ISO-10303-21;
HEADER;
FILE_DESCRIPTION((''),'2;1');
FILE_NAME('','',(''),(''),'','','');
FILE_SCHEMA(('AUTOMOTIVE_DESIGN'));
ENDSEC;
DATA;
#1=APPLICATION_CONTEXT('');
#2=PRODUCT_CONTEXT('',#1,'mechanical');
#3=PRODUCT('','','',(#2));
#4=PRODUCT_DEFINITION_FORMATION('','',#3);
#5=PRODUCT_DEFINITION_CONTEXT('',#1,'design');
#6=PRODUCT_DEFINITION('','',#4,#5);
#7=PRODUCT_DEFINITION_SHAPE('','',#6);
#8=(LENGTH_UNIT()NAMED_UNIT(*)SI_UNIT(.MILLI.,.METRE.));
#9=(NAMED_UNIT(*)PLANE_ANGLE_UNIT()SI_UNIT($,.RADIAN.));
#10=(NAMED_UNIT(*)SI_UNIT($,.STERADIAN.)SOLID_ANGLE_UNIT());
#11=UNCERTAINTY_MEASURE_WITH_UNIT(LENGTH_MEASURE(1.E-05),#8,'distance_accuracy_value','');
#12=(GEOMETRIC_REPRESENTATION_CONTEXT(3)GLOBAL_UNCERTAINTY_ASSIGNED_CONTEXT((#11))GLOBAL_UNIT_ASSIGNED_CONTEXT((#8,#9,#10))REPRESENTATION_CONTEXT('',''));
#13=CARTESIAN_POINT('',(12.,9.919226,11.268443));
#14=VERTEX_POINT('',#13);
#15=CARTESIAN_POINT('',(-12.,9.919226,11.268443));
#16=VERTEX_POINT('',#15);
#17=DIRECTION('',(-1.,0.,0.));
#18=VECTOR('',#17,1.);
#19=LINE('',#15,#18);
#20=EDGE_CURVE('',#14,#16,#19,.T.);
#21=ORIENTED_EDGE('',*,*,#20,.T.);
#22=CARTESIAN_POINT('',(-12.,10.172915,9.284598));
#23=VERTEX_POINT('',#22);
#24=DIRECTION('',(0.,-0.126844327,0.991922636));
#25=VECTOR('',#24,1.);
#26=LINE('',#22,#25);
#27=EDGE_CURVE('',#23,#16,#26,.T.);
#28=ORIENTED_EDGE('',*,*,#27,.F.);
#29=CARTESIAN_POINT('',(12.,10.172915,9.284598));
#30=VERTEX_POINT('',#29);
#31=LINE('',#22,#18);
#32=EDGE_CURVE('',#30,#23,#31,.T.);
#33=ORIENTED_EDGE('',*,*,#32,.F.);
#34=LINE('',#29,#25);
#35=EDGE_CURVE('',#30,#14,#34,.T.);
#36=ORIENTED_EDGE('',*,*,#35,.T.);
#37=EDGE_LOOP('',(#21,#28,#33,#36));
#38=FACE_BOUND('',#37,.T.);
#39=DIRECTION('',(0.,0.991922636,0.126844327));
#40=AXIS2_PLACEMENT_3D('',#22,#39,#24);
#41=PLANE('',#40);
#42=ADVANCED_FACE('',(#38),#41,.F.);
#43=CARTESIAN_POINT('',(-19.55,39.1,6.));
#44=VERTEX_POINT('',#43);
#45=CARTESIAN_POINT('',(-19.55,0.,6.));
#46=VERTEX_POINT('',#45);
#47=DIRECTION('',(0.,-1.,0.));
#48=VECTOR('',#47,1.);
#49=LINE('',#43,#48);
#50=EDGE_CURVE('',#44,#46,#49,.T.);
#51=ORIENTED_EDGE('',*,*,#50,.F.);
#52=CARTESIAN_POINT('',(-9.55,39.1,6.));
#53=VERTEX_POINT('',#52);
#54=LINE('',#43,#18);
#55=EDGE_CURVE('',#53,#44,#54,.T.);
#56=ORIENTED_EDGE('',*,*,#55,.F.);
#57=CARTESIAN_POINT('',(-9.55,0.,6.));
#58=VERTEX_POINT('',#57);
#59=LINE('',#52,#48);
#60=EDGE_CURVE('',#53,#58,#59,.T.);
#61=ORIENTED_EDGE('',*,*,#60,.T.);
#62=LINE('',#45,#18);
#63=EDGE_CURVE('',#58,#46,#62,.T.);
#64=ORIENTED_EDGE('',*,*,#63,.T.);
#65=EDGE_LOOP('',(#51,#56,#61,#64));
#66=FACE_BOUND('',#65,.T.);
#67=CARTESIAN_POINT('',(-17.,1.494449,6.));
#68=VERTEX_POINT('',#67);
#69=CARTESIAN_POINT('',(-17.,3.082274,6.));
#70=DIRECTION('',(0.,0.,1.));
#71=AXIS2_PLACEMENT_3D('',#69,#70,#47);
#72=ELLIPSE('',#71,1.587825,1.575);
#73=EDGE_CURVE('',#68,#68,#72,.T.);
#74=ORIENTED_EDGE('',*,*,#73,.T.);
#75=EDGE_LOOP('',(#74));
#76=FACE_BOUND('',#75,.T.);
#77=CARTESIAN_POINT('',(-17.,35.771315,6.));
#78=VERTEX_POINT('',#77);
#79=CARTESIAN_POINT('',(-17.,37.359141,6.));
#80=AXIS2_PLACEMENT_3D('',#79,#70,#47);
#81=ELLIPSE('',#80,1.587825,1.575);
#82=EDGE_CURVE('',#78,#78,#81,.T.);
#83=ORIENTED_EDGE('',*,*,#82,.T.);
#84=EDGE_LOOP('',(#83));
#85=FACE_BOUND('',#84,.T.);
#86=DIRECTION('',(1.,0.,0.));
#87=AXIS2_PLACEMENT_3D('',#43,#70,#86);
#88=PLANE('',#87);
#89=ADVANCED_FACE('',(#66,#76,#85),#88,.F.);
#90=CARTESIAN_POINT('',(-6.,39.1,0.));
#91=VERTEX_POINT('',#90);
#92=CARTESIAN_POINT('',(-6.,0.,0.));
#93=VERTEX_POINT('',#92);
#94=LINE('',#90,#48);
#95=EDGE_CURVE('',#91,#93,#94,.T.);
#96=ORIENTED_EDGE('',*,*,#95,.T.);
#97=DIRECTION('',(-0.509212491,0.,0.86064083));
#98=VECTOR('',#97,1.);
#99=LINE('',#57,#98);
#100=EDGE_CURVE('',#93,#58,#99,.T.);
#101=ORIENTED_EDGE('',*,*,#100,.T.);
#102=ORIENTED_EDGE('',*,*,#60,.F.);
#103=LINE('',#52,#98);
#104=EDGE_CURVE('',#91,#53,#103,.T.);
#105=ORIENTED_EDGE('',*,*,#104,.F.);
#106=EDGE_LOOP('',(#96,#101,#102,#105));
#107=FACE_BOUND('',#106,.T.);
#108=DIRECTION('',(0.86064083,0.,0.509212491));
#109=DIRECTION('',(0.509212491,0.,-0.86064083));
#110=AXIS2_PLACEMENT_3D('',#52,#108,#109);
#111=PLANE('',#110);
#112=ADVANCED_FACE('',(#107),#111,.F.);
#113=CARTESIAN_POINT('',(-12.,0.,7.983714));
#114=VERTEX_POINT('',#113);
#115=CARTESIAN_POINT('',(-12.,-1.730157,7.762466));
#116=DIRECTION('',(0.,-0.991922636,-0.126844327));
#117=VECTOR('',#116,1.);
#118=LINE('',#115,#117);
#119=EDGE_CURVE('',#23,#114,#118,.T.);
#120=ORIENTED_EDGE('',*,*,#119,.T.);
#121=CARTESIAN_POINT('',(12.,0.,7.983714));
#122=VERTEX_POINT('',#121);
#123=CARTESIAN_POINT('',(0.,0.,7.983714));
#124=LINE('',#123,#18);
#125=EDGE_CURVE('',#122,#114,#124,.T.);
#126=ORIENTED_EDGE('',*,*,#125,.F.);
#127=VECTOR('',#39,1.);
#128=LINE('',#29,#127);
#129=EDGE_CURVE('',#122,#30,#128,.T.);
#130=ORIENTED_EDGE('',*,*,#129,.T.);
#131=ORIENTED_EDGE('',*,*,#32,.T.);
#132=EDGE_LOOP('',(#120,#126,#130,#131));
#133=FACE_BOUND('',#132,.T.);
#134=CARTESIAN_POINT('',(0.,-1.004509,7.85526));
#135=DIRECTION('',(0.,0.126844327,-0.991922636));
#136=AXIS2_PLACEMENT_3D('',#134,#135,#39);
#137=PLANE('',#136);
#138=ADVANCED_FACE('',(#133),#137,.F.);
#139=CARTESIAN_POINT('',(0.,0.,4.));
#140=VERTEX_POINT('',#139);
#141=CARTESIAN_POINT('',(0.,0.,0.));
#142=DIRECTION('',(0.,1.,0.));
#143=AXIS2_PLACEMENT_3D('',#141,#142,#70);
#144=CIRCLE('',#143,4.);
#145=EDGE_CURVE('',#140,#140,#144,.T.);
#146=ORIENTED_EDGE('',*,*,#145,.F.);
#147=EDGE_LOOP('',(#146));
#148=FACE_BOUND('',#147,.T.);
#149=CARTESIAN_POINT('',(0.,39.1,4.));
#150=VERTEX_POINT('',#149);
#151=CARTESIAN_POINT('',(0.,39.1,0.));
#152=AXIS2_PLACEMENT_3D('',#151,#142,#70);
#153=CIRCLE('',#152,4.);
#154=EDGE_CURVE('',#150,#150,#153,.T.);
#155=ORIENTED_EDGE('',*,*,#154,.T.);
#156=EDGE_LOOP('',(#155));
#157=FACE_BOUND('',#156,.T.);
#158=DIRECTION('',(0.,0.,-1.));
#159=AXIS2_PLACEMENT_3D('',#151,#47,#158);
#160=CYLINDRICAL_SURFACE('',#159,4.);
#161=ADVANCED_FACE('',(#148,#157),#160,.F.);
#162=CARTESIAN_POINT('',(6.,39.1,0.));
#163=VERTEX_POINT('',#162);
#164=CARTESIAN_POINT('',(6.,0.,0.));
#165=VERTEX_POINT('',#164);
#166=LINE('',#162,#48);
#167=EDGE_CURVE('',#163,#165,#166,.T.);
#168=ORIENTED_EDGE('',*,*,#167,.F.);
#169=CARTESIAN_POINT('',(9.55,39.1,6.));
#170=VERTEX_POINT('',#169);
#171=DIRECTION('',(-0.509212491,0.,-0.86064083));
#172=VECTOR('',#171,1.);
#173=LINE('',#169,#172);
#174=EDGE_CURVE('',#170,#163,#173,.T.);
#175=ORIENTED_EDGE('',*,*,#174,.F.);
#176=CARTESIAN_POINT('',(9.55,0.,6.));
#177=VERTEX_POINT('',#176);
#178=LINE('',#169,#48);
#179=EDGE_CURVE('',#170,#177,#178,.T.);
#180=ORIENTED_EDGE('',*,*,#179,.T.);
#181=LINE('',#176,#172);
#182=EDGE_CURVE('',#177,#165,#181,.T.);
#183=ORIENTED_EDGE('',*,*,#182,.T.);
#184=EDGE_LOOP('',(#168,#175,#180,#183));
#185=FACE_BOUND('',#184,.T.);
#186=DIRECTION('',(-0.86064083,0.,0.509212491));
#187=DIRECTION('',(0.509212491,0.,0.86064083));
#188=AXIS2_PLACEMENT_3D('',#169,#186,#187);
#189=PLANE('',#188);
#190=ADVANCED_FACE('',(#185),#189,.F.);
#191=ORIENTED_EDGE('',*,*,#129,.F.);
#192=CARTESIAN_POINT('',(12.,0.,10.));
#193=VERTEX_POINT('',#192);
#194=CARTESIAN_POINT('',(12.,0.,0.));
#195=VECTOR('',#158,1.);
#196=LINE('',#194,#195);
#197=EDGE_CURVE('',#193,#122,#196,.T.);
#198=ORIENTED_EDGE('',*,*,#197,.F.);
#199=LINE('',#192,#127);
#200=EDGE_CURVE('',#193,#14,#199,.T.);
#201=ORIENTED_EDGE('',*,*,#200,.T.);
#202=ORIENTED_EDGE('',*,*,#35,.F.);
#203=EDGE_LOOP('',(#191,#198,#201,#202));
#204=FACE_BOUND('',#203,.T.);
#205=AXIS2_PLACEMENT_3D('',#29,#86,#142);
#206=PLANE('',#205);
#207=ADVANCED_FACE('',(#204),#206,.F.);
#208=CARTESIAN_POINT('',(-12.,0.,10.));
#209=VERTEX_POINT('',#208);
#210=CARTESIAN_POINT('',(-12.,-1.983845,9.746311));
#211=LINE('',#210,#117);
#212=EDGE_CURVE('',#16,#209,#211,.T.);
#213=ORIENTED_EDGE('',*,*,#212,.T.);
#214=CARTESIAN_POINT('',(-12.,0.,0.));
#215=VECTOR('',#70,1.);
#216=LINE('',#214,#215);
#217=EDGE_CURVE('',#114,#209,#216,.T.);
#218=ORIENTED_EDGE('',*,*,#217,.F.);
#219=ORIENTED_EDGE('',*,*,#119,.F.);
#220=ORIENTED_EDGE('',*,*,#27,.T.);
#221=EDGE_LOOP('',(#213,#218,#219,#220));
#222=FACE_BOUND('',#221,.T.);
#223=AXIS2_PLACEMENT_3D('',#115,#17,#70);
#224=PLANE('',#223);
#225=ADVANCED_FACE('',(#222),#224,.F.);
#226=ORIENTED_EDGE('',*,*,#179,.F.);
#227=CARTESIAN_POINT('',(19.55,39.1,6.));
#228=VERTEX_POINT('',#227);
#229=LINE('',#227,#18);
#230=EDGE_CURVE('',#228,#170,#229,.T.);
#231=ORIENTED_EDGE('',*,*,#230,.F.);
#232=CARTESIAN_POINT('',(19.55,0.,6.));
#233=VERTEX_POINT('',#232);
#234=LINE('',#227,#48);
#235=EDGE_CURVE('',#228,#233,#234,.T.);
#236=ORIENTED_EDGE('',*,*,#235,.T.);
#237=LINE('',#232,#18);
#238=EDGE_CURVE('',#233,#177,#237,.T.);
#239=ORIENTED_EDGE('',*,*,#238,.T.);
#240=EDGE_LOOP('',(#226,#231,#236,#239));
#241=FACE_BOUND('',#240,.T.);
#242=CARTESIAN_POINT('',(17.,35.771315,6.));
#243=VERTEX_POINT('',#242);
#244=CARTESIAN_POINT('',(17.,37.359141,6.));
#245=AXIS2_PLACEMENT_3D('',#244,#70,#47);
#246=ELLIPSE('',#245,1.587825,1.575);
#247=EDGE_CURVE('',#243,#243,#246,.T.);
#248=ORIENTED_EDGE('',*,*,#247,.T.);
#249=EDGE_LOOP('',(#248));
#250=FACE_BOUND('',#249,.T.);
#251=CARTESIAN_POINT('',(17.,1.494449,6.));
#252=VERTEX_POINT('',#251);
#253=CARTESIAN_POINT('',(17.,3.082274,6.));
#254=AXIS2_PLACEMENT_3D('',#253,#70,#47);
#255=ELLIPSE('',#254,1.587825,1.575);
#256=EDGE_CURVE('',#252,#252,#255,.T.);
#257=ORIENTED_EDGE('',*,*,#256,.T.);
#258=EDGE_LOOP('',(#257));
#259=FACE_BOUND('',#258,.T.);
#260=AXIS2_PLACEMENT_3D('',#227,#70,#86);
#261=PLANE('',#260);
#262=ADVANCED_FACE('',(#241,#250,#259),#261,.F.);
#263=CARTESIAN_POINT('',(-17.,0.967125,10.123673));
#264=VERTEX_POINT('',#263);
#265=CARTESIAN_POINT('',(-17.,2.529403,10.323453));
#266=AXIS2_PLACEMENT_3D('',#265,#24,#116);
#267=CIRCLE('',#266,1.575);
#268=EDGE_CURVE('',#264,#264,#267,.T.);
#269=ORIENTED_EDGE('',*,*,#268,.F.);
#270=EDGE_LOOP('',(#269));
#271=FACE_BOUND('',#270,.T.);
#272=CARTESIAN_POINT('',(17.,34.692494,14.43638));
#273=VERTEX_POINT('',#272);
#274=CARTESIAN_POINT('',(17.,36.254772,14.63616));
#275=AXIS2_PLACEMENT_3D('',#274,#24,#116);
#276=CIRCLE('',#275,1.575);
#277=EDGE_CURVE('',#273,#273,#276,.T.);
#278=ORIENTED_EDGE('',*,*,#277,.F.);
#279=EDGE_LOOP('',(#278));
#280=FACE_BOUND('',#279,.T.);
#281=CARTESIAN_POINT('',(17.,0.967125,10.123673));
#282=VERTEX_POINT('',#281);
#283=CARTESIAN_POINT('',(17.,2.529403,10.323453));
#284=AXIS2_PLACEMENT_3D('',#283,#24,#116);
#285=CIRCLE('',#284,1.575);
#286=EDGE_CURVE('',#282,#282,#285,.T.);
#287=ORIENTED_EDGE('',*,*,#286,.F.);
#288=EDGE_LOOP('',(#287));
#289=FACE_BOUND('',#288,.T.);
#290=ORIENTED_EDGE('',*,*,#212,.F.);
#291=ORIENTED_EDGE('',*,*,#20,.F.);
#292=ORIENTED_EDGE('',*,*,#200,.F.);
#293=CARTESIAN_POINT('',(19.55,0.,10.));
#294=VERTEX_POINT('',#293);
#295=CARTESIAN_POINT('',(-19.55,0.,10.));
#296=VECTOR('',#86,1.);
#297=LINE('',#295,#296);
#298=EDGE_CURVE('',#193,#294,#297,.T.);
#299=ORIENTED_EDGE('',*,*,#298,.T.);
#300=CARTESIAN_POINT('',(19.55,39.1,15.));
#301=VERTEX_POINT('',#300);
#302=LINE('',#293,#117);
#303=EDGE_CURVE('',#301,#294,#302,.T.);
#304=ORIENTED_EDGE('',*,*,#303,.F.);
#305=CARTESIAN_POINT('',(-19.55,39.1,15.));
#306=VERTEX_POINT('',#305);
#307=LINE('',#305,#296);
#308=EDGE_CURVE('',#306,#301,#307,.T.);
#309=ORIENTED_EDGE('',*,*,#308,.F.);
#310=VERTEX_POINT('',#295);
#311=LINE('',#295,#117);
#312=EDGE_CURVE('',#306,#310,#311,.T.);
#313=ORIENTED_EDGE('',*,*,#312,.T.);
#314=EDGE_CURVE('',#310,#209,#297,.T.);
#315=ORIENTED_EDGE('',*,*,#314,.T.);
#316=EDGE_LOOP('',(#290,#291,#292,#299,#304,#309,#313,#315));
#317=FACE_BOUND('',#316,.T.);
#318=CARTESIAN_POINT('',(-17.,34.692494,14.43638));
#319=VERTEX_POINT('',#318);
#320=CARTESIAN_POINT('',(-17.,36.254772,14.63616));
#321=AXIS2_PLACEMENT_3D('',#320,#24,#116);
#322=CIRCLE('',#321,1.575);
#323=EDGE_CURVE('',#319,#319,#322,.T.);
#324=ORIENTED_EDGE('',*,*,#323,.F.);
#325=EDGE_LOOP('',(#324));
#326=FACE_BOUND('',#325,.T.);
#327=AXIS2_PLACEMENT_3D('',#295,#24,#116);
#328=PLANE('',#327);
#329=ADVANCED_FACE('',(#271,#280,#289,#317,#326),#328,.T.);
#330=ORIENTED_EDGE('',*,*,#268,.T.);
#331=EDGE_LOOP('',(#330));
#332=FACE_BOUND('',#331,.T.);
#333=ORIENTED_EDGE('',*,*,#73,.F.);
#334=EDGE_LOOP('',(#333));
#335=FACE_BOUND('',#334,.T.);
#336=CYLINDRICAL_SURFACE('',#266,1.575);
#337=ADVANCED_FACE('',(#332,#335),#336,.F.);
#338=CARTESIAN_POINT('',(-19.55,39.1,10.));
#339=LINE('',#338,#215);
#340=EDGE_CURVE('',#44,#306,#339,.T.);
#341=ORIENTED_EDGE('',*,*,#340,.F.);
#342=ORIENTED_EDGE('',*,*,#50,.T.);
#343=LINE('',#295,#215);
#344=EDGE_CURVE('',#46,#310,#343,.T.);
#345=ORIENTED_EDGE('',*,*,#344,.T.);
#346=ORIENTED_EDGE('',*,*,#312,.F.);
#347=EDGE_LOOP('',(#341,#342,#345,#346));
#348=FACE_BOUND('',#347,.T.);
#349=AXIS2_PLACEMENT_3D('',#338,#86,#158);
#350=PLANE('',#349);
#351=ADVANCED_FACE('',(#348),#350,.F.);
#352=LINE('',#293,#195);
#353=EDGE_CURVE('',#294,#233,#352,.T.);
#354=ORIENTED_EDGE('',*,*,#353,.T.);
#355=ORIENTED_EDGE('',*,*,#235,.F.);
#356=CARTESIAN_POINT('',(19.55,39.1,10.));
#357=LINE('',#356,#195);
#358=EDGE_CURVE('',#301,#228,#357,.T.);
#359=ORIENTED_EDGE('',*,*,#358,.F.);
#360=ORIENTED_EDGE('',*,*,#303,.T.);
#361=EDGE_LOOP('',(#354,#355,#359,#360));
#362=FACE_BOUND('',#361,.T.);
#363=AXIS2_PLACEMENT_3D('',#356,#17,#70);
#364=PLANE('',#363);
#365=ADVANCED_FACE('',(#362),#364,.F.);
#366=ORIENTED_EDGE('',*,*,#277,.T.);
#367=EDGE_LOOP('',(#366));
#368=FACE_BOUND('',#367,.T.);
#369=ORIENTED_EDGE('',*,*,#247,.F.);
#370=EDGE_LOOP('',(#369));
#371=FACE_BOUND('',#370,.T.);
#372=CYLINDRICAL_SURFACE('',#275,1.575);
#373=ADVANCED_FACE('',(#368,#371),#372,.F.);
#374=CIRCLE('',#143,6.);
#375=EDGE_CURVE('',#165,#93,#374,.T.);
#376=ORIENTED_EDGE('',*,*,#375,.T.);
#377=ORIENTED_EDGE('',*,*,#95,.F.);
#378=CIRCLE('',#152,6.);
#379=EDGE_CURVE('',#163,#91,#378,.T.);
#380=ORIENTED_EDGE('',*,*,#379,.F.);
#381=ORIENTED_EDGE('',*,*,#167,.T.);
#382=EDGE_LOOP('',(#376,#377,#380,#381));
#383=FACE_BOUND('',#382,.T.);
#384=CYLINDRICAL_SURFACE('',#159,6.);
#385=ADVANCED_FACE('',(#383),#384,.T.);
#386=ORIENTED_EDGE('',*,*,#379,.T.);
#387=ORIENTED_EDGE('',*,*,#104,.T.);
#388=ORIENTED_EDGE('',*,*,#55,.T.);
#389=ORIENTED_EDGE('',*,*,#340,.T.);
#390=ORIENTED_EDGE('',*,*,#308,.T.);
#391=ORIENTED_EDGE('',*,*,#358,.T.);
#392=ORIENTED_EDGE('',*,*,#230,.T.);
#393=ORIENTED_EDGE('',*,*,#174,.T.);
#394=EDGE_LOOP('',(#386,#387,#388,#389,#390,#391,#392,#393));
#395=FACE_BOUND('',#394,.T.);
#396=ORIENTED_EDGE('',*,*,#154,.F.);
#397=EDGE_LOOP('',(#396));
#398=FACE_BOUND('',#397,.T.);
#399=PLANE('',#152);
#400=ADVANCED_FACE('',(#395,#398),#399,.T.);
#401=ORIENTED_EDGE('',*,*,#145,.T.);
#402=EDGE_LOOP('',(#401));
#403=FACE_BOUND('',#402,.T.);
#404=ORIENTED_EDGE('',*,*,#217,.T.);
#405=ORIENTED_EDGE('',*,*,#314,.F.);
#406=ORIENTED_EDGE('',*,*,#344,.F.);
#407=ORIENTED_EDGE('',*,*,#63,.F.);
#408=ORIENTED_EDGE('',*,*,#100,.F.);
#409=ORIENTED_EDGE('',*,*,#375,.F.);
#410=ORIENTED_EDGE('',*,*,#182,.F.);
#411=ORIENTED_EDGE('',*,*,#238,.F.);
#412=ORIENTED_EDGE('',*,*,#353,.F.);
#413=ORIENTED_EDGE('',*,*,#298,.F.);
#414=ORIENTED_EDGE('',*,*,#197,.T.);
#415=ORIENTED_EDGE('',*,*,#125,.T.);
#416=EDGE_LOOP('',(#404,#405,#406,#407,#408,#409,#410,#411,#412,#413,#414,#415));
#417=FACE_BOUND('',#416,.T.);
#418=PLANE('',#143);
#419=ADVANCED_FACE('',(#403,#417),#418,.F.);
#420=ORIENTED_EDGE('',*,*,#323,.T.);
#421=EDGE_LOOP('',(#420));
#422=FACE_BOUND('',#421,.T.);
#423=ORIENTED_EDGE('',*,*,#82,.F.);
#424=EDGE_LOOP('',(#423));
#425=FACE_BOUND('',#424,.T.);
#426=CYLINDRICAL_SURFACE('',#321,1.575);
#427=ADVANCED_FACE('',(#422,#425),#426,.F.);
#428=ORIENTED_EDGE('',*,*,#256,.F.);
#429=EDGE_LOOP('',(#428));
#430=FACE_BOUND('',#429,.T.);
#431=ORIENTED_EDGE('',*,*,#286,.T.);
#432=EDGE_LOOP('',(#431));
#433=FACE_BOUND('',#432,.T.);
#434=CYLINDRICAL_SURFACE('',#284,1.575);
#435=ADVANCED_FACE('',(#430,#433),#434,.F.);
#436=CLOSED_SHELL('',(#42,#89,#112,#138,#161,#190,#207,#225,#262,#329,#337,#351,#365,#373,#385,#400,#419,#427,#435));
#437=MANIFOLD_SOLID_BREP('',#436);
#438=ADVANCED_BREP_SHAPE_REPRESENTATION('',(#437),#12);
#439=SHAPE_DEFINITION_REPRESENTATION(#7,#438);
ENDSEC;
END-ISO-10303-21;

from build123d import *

# Parameters (mm, degrees)
SKETCH_1_R                  = 4
EXTRUDE_1_DEPTH             = 39.1
EXTRUDE_2_DEPTH             = 39.1
HOLE_WIZARD_M32_D           = 3.15
PATTERN_LINEAR_2_COUNT      = 2
PATTERN_LINEAR_2_PITCH      = 34
PATTERN_LINEAR_2_COUNT_DIR2 = 2
PATTERN_LINEAR_2_PITCH_DIR2 = 34
SKETCH_10_W                 = 24
SKETCH_10_H                 = 12
CUT_EXTRUDE_2_DEPTH         = 2


with BuildPart() as part:
    # Эскиз1 → Бобышка-Вытянуть1 (new body)
    with BuildSketch(Plane(origin=(0, 0, 0), x_dir=(1, 0, 0), z_dir=(0, 1, 0))):
        with BuildLine():
            Line((-19.55, -10), (19.55, -10))
            Line((19.55, -10), (19.55, -6))
            Line((19.55, -6), (9.55, -6))
            Line((9.55, -6), (6, 0))
            ThreePointArc((6, 0), (0, 6), (-6, 0))
            Line((-6, 0), (-9.55, -6))
            Line((-9.55, -6), (-19.55, -6))
            Line((-19.55, -6), (-19.55, -10))
        make_face()
        Circle(SKETCH_1_R, mode=Mode.SUBTRACT)
    extrude(amount=EXTRUDE_1_DEPTH)

    # Эскиз5 → Бобышка-Вытянуть2 (add)
    with BuildSketch(Plane(origin=(19.55, 0, 0), x_dir=(0, 0, -1), z_dir=(1, 0, 0))):
        Polygon((-10, 0), (-15, 39.1), (-10, 39.1), align=None)
    extrude(amount=-EXTRUDE_2_DEPTH)

    # Сверло под метчик  спиральное M32 (through all)
    with Locations(Plane(origin=(0, -1.258197592, 9.839105167), x_dir=(1, 0, 0), z_dir=(0, -0.126844327, 0.991922636))):
        with Locations((-17, 3.818443269)):
            hole_wizard_m32 = Hole(HOLE_WIZARD_M32_D / 2)

    # Линейный массив2: Hole Wizard M32 2 × 2
    with Locations(*[Vector(1, 0, 0) * (i * PATTERN_LINEAR_2_PITCH) + Vector(0, 0.991922636, 0.126844327) * (j * PATTERN_LINEAR_2_PITCH_DIR2) for i in range(PATTERN_LINEAR_2_COUNT) for j in range(PATTERN_LINEAR_2_COUNT_DIR2) if (i, j) != (0, 0)]):
        add(hole_wizard_m32, mode=Mode.SUBTRACT)

    # Эскиз10 → Вырез-Вытянуть2 (cut)
    with BuildSketch(Plane(origin=(0, -1.258197592, 9.839105167), x_dir=(1, 0, 0), z_dir=(0, -0.126844327, 0.991922636))):
        with Locations((0, 5.268443269)):
            Rectangle(SKETCH_10_W, SKETCH_10_H)
    extrude(amount=-CUT_EXTRUDE_2_DEPTH, mode=Mode.SUBTRACT)


solid = part.part
